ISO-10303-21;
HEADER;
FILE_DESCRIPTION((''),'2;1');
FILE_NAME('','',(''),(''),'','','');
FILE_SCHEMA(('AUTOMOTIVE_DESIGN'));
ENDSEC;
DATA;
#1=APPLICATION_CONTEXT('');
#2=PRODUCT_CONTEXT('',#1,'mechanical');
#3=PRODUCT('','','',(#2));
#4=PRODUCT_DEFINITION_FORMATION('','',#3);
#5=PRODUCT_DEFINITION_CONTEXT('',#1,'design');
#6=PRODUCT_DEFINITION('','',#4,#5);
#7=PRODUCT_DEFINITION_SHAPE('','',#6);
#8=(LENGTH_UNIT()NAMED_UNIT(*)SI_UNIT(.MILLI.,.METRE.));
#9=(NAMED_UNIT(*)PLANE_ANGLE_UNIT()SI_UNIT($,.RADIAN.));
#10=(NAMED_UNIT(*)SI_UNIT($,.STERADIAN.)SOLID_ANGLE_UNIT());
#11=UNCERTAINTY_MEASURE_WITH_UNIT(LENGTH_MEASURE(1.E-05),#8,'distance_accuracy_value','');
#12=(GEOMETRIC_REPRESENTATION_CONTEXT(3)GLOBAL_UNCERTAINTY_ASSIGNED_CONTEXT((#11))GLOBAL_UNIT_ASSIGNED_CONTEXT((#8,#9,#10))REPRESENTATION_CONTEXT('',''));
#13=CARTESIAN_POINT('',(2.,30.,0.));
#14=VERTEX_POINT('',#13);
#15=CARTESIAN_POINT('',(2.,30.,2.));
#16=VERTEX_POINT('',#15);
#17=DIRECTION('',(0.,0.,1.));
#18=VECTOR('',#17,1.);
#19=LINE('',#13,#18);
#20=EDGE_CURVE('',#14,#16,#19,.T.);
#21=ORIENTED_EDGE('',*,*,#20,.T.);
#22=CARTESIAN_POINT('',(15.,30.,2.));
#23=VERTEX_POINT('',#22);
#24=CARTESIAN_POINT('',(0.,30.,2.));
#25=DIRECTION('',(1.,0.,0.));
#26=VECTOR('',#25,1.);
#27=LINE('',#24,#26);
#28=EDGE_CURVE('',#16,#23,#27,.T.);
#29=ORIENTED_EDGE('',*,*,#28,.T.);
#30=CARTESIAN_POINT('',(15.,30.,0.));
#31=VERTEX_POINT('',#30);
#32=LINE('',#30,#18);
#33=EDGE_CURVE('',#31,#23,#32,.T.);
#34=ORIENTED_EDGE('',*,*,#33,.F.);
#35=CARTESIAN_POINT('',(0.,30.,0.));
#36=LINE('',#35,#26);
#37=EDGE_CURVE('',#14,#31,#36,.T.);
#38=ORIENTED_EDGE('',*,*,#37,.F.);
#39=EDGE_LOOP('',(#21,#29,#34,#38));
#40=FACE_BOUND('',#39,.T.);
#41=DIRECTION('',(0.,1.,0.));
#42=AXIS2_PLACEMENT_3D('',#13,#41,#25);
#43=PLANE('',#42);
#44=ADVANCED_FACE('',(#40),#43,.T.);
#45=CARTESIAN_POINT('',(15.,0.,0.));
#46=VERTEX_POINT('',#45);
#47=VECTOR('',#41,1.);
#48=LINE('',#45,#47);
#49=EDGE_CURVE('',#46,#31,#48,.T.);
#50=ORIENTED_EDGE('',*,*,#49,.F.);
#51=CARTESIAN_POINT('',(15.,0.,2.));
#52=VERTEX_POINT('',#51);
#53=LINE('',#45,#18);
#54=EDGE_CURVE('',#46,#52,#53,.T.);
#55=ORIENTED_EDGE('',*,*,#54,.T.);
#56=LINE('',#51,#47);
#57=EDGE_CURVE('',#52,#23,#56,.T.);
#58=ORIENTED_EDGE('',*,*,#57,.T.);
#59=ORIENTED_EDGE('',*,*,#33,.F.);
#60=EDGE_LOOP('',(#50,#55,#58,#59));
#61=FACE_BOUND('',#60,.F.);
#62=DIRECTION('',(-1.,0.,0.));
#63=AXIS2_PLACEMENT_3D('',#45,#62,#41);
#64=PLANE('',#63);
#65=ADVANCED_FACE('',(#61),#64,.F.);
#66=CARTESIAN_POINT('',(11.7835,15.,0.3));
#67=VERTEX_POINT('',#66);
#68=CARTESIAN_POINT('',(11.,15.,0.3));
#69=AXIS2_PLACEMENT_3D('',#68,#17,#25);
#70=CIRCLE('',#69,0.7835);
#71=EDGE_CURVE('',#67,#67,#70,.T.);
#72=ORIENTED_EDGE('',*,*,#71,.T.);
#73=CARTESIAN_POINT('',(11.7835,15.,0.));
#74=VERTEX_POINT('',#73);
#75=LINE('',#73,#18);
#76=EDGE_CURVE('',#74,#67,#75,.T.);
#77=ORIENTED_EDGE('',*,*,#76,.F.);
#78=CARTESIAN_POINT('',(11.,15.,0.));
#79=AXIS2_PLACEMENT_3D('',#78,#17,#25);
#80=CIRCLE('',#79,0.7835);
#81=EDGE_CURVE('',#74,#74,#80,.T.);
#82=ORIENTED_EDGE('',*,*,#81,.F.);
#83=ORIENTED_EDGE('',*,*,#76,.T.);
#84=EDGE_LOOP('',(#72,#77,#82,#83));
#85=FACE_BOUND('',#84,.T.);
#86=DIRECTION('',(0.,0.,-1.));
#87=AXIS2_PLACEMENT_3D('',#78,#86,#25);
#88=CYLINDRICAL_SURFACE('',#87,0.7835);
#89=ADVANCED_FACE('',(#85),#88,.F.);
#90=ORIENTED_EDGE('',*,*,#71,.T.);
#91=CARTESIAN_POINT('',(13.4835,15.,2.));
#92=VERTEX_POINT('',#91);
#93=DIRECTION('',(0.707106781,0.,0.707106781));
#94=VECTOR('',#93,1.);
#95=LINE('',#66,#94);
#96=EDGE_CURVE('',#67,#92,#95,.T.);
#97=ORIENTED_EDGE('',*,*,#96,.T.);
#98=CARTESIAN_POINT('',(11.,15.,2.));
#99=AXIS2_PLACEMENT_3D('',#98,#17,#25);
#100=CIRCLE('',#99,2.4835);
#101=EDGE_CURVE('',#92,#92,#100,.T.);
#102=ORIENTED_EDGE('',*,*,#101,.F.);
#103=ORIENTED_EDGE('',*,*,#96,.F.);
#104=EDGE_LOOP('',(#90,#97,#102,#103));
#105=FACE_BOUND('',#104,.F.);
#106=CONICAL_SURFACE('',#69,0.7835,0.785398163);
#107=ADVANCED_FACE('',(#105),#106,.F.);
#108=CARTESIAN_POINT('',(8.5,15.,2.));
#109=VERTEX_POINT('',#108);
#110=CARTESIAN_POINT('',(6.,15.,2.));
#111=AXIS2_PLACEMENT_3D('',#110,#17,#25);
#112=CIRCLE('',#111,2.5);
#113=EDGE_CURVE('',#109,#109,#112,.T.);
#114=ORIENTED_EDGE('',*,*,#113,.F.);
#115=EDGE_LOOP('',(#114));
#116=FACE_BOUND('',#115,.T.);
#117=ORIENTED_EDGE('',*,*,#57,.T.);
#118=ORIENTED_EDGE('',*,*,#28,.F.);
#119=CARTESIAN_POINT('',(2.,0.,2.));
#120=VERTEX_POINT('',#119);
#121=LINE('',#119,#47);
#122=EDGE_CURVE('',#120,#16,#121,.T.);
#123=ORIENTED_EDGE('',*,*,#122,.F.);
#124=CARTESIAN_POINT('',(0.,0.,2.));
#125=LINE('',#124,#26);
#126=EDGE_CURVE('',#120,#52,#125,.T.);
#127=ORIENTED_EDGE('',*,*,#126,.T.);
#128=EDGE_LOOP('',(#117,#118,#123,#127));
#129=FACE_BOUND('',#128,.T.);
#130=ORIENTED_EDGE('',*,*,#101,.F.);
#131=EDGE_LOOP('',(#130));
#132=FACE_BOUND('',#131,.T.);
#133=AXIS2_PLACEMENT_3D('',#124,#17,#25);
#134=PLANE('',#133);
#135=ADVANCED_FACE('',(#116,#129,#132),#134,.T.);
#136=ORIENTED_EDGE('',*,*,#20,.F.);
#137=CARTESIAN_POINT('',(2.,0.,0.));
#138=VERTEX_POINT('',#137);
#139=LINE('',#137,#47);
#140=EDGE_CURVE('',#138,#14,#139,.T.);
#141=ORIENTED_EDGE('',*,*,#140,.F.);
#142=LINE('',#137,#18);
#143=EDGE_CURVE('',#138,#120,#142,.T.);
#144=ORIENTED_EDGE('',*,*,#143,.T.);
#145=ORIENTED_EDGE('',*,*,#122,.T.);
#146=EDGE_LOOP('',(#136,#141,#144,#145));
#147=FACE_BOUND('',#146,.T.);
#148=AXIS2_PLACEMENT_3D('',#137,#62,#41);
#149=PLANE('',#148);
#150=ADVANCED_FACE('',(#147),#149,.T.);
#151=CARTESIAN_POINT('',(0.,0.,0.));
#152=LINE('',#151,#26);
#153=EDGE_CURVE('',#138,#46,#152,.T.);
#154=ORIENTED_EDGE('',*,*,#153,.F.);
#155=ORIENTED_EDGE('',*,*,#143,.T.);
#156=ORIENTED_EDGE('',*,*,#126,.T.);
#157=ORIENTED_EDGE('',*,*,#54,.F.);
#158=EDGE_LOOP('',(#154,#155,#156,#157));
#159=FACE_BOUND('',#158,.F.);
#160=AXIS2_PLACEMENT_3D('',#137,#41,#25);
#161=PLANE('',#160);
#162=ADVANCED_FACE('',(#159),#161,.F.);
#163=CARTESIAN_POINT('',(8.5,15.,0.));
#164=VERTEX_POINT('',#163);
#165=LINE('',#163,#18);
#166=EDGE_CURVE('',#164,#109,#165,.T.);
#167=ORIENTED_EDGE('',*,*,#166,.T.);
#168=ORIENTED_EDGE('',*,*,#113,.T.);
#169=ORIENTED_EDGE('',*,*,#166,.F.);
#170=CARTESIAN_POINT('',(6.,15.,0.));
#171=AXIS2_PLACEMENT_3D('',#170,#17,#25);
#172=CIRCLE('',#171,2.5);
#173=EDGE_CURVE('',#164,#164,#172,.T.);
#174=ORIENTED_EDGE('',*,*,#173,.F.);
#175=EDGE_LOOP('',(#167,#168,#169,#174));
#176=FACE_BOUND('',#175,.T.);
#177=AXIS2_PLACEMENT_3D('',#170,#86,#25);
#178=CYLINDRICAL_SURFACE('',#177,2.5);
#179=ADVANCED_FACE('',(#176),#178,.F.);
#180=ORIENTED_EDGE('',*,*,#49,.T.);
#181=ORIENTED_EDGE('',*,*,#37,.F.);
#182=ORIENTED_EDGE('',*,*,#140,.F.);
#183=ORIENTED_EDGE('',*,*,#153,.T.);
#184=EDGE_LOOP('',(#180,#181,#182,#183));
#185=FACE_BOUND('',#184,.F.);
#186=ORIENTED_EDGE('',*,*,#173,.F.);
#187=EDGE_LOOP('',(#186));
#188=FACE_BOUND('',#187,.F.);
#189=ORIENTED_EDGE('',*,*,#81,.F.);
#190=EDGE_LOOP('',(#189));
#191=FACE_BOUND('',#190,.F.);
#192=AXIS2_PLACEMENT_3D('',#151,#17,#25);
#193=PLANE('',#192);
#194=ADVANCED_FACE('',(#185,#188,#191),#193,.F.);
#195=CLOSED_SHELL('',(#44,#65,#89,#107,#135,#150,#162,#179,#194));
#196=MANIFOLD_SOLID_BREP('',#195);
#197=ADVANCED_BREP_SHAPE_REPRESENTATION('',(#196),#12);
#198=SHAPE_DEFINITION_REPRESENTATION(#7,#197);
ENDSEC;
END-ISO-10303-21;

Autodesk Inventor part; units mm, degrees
ref_plane "YZ Plane" through (0, 0, 0) normal (1, 0, 0) x (0, 1, 0)
ref_plane "XZ Plane" through (0, 0, 0) normal (0, 1, 0) x (-1, 0, 0)
ref_plane "XY Plane" through (0, 0, 0) normal (0, 0, 1) x (1, 0, 0)
sketch "Skizze1" plane through (0, 0, 0) normal (0, 0, 1) x (1, 0, 0)
  circle A0 centre (6, 15) radius 2.5 projected
  circle A1 centre (11, 15) radius 0.7835 projected
  line L0 (0, 0) -> (15, 0) projected
  line L1 (15, 0) -> (15, 30) projected
  line L2 (0, 30) -> (15, 30) projected
  line L3 (0, 0) -> (0, 30) projected
  line L4 (2, 0) -> (2, 30) projected
extrude "Extrusion1" add sketch "Skizze1" along normal blind 2 contours L4 L2 L1 L0
chamfer "Fasen1" distance 1.7 angle 45 1 edges at (10.2165, 15, 2)
properties part number "LagerHO" material "Polyethylen, hohe Dichte, Gleitfläche"
